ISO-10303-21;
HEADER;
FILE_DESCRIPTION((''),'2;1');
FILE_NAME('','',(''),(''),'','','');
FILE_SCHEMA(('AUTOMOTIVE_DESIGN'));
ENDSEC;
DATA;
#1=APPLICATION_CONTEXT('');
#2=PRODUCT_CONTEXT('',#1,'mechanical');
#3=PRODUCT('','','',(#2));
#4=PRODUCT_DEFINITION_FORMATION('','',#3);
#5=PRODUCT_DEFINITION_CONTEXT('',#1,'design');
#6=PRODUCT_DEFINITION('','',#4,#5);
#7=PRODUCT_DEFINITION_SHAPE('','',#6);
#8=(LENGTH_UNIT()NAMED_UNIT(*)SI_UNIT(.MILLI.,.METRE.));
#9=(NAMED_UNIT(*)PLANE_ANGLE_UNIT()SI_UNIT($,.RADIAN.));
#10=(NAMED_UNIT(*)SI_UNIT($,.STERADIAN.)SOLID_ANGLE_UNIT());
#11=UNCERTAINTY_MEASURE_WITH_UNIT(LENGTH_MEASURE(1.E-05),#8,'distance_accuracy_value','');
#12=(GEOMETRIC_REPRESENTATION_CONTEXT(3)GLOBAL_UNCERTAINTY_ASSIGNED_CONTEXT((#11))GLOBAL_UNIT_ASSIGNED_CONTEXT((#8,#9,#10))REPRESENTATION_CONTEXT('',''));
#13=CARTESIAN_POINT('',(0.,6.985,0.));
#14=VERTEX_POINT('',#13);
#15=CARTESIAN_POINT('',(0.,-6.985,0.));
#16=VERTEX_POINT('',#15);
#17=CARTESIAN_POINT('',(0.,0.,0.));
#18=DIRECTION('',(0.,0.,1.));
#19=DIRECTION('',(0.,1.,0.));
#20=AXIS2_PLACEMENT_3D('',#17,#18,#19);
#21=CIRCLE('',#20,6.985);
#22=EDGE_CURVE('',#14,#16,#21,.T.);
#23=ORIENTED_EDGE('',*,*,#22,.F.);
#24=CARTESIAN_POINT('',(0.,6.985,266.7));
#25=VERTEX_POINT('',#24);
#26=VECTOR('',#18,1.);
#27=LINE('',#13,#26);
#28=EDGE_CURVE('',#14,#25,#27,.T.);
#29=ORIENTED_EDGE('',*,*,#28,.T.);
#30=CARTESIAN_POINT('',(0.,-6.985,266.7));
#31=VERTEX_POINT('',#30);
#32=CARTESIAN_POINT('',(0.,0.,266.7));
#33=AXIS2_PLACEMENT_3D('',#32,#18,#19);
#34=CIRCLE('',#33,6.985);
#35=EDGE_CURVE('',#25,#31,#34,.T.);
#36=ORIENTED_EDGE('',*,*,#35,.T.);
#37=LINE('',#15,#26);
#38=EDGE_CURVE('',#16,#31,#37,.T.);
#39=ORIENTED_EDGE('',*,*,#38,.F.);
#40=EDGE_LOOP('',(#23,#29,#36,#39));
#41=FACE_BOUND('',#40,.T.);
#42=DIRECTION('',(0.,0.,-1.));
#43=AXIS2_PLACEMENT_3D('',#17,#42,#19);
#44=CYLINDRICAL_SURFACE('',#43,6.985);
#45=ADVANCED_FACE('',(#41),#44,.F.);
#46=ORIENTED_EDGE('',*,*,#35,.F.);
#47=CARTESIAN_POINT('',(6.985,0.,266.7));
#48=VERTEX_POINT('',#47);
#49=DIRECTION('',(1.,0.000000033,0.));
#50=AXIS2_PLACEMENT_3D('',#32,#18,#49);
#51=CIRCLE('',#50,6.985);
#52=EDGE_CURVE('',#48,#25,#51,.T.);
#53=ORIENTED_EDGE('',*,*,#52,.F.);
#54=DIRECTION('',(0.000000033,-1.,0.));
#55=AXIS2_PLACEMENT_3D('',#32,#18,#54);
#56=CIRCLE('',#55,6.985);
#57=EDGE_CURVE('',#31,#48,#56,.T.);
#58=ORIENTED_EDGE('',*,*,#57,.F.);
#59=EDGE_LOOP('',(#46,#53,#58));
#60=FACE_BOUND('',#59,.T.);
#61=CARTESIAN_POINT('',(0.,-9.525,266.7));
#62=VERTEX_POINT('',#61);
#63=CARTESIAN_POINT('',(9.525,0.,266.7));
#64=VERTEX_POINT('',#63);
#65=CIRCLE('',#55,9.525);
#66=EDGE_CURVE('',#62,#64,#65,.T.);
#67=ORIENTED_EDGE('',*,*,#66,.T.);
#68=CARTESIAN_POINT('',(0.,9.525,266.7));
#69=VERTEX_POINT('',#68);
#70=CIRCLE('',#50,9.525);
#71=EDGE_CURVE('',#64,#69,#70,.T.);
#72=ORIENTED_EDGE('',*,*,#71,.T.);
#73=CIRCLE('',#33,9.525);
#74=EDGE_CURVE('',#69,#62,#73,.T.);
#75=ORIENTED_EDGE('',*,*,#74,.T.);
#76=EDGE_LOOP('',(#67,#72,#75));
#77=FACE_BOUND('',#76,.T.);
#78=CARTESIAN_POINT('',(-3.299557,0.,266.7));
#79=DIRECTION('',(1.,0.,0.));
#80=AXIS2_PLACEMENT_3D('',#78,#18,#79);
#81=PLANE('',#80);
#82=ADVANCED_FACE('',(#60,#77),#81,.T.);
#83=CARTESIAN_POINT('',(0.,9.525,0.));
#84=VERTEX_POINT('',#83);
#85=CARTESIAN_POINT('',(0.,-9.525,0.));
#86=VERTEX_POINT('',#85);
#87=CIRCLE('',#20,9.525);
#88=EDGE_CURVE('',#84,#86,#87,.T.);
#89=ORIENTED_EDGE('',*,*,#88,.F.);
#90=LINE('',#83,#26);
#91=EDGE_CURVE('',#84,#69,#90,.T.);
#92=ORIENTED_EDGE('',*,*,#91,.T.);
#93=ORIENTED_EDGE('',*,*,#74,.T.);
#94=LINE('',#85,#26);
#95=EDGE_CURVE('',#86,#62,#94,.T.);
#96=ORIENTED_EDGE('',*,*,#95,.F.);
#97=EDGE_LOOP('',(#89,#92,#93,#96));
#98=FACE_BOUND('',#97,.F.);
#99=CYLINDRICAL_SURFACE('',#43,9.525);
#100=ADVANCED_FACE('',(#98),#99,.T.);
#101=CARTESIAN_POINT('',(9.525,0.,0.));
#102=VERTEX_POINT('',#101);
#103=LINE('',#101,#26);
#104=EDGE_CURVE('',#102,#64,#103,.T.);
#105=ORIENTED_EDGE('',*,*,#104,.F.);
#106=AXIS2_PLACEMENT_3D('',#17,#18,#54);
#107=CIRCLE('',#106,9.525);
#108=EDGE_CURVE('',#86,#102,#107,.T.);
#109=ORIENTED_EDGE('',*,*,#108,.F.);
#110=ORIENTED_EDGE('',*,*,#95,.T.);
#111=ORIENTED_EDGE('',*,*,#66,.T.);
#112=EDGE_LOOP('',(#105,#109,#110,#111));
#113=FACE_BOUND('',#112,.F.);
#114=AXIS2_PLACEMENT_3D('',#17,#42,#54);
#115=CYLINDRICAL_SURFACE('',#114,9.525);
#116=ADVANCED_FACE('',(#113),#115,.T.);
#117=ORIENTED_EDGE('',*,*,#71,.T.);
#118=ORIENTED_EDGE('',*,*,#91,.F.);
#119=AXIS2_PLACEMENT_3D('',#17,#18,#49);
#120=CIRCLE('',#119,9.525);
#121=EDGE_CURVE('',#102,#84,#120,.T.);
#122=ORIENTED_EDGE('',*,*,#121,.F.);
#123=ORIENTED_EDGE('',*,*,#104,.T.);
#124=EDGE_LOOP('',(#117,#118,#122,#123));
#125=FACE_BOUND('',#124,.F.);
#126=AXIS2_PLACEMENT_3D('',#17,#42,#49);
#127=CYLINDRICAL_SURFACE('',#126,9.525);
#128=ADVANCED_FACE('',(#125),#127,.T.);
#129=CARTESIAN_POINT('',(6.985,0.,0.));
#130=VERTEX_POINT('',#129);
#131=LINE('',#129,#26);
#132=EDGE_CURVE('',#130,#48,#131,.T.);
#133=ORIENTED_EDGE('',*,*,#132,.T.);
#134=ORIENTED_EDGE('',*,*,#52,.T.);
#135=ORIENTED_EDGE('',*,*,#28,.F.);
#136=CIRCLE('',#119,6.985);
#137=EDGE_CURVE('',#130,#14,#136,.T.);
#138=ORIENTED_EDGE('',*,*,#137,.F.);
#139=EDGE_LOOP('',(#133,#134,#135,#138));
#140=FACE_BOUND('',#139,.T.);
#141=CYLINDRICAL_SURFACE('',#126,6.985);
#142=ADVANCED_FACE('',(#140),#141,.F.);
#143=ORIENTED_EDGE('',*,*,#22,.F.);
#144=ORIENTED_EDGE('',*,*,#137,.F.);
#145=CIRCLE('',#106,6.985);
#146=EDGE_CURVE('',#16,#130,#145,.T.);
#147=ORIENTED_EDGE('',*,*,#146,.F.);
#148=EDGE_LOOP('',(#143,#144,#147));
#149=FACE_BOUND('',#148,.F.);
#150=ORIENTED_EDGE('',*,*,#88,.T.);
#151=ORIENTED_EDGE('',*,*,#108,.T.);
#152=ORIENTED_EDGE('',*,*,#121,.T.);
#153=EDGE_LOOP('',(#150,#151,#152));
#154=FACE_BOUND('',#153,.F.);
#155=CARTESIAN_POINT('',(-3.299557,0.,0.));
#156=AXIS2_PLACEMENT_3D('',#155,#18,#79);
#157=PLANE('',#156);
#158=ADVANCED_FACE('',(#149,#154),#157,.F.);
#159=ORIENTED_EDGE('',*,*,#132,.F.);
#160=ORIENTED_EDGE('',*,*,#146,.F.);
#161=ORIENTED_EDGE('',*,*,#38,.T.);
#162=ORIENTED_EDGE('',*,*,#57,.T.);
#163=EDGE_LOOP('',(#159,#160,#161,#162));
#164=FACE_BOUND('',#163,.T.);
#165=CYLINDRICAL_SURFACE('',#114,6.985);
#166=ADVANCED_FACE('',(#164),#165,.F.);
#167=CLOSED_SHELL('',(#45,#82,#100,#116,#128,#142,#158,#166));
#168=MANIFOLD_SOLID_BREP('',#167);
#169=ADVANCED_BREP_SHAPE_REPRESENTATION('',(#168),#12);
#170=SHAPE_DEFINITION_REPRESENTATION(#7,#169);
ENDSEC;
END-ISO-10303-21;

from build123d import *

# Parameters (mm, degrees)
F1_DEPTH = 266.7
F2_T     = -2.54


with BuildPart() as f1:
    # F0 (on Top) → F1 (new body)
    with BuildSketch(Plane.XY):
        with BuildLine():
            Line((0, -9.525), (0, 9.525))
            ThreePointArc((0, 9.525), (-9.525, 0), (0, -9.525))
        make_face()
        with BuildLine():
            ThreePointArc((0, -9.525), (6.735192, -6.735192), (9.525, 0))
            ThreePointArc((9.525, 0), (6.735192, 6.735192), (0, 9.525))
            Line((0, 9.525), (0, -9.525))
        make_face()
    extrude(amount=F1_DEPTH)

    # F2
    f2_openings = [f1.faces().sort_by_distance(p)[0] for p in [
        (0, 0, 266.7),
        (0, 0, 0),
    ]]
    offset(amount=F2_T, openings=f2_openings)


solid = f1.part
